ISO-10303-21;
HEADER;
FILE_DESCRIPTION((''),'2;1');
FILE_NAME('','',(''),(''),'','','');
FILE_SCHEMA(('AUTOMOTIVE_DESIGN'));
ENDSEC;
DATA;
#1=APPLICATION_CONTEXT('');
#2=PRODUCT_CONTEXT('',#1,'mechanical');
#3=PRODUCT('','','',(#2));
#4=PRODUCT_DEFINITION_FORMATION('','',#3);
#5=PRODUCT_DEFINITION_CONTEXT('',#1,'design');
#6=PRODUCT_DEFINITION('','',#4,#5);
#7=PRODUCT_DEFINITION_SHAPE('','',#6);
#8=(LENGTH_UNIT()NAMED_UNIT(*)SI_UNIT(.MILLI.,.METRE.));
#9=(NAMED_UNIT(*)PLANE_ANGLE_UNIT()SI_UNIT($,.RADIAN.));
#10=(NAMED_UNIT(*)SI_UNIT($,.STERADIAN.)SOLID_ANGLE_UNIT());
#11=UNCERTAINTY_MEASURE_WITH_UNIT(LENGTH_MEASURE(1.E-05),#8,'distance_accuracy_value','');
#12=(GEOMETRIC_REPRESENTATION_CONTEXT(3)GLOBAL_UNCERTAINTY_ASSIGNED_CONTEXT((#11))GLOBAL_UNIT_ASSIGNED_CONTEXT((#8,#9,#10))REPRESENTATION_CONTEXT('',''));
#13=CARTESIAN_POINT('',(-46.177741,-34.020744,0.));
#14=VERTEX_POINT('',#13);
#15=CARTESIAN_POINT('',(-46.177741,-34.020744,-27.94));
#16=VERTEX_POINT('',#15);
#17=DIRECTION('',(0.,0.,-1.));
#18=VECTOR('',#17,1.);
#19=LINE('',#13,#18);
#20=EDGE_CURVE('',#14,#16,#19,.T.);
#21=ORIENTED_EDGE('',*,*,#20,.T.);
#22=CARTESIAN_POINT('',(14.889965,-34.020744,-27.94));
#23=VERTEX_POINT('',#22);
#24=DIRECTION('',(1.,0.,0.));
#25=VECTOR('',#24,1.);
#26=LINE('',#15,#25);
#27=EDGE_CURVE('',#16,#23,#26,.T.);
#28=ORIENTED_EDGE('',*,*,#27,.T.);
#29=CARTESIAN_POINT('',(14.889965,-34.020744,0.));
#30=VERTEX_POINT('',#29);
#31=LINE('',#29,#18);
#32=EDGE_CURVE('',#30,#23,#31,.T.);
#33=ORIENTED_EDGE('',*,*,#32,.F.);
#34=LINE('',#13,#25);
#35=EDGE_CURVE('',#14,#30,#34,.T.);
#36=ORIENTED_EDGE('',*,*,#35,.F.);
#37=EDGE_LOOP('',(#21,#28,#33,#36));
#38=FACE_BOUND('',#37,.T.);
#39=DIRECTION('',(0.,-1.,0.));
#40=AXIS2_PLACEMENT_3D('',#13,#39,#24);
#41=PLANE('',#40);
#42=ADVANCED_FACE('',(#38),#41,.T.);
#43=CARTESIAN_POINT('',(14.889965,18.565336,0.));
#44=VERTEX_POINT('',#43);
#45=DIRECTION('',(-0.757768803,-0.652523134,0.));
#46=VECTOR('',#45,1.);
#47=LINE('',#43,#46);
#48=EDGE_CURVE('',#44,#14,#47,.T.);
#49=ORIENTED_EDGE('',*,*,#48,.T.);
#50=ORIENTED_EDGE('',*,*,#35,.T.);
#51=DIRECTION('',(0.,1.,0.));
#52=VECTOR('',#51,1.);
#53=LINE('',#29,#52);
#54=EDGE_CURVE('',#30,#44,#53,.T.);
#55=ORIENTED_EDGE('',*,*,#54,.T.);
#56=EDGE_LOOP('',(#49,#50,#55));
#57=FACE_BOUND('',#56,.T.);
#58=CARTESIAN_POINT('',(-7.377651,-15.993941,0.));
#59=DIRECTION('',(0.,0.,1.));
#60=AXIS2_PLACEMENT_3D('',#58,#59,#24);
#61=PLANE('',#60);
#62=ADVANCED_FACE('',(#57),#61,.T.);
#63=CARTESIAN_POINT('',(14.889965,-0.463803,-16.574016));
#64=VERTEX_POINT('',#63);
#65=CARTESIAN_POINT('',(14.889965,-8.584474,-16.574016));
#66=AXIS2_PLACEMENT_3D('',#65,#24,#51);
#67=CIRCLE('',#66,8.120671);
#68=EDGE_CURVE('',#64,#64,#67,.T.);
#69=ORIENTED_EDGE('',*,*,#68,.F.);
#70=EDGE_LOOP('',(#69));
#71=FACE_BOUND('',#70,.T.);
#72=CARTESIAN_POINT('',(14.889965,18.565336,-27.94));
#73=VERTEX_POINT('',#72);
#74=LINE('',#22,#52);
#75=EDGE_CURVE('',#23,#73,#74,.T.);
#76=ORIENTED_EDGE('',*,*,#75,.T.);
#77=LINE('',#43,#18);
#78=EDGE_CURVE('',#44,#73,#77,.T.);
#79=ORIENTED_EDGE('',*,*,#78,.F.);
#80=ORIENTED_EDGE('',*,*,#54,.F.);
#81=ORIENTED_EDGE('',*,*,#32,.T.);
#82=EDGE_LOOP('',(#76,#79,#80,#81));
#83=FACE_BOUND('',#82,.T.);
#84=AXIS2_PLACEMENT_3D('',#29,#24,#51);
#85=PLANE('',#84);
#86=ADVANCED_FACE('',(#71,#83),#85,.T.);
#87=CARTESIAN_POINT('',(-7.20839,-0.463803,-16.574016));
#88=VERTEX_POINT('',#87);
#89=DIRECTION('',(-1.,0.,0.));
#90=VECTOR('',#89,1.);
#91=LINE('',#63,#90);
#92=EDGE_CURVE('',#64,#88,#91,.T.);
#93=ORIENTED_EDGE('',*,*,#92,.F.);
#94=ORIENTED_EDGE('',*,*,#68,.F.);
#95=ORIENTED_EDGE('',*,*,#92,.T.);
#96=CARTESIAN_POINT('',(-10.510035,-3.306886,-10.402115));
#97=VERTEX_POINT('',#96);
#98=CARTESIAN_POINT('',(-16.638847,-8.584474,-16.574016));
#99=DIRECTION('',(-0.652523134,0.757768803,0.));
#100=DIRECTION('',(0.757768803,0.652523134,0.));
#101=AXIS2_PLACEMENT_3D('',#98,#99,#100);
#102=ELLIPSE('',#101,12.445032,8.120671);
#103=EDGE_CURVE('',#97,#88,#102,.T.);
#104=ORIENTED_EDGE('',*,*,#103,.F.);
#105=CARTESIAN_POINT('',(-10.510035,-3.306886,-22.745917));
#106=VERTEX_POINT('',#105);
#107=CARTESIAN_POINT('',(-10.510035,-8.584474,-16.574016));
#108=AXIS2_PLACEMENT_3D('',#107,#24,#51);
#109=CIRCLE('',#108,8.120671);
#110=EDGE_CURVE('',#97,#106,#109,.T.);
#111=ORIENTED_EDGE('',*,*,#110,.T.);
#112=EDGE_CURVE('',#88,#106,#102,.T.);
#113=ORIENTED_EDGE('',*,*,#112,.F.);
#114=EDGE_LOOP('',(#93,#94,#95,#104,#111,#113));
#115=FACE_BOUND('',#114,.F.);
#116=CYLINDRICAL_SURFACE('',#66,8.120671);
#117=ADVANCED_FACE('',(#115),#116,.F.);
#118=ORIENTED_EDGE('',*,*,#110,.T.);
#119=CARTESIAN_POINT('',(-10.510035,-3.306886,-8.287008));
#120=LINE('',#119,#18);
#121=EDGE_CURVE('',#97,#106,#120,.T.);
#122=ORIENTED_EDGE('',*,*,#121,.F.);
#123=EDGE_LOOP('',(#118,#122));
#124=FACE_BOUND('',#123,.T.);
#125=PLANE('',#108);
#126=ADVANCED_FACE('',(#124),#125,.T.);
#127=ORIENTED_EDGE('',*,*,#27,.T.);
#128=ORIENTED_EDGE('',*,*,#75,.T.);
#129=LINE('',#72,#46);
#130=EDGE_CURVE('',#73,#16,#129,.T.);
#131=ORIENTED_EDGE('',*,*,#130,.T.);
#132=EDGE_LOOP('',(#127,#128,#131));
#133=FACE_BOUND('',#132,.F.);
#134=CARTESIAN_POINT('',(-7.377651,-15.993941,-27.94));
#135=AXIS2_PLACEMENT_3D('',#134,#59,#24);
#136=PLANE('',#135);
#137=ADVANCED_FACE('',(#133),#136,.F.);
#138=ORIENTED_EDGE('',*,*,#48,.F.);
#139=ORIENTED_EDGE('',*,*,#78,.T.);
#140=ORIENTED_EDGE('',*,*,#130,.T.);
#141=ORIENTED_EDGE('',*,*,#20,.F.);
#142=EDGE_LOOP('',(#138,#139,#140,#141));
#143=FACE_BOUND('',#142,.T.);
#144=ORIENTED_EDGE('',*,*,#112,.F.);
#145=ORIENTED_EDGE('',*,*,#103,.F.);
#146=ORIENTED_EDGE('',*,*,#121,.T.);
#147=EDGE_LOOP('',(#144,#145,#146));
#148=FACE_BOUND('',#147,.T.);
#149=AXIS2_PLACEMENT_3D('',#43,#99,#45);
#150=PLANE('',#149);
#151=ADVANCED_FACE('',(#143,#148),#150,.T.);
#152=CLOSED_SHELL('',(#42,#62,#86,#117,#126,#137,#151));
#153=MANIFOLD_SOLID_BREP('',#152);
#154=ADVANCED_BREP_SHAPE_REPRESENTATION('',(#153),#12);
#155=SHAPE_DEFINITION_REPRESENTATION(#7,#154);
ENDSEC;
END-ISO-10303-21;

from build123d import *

# Parameters (mm, degrees)
F1_DEPTH = 27.94
F2_R     = 8.120671
F3_DEPTH = 25.4


with BuildPart() as f1:
    # F0 (on Top) → F1 (new body)
    with BuildSketch(Plane.XY):
        Polygon((14.889965, 18.565336), (-46.177741, -34.020744), (14.889965, -34.020744), align=None)
    extrude(amount=-F1_DEPTH)

    # F2 (on face) → F3 (cut)
    with BuildSketch(Plane.YZ.offset(14.889965)):
        with Locations((-8.584474, -16.574016)):
            Circle(F2_R)
    extrude(amount=-F3_DEPTH, mode=Mode.SUBTRACT)


solid = f1.part
